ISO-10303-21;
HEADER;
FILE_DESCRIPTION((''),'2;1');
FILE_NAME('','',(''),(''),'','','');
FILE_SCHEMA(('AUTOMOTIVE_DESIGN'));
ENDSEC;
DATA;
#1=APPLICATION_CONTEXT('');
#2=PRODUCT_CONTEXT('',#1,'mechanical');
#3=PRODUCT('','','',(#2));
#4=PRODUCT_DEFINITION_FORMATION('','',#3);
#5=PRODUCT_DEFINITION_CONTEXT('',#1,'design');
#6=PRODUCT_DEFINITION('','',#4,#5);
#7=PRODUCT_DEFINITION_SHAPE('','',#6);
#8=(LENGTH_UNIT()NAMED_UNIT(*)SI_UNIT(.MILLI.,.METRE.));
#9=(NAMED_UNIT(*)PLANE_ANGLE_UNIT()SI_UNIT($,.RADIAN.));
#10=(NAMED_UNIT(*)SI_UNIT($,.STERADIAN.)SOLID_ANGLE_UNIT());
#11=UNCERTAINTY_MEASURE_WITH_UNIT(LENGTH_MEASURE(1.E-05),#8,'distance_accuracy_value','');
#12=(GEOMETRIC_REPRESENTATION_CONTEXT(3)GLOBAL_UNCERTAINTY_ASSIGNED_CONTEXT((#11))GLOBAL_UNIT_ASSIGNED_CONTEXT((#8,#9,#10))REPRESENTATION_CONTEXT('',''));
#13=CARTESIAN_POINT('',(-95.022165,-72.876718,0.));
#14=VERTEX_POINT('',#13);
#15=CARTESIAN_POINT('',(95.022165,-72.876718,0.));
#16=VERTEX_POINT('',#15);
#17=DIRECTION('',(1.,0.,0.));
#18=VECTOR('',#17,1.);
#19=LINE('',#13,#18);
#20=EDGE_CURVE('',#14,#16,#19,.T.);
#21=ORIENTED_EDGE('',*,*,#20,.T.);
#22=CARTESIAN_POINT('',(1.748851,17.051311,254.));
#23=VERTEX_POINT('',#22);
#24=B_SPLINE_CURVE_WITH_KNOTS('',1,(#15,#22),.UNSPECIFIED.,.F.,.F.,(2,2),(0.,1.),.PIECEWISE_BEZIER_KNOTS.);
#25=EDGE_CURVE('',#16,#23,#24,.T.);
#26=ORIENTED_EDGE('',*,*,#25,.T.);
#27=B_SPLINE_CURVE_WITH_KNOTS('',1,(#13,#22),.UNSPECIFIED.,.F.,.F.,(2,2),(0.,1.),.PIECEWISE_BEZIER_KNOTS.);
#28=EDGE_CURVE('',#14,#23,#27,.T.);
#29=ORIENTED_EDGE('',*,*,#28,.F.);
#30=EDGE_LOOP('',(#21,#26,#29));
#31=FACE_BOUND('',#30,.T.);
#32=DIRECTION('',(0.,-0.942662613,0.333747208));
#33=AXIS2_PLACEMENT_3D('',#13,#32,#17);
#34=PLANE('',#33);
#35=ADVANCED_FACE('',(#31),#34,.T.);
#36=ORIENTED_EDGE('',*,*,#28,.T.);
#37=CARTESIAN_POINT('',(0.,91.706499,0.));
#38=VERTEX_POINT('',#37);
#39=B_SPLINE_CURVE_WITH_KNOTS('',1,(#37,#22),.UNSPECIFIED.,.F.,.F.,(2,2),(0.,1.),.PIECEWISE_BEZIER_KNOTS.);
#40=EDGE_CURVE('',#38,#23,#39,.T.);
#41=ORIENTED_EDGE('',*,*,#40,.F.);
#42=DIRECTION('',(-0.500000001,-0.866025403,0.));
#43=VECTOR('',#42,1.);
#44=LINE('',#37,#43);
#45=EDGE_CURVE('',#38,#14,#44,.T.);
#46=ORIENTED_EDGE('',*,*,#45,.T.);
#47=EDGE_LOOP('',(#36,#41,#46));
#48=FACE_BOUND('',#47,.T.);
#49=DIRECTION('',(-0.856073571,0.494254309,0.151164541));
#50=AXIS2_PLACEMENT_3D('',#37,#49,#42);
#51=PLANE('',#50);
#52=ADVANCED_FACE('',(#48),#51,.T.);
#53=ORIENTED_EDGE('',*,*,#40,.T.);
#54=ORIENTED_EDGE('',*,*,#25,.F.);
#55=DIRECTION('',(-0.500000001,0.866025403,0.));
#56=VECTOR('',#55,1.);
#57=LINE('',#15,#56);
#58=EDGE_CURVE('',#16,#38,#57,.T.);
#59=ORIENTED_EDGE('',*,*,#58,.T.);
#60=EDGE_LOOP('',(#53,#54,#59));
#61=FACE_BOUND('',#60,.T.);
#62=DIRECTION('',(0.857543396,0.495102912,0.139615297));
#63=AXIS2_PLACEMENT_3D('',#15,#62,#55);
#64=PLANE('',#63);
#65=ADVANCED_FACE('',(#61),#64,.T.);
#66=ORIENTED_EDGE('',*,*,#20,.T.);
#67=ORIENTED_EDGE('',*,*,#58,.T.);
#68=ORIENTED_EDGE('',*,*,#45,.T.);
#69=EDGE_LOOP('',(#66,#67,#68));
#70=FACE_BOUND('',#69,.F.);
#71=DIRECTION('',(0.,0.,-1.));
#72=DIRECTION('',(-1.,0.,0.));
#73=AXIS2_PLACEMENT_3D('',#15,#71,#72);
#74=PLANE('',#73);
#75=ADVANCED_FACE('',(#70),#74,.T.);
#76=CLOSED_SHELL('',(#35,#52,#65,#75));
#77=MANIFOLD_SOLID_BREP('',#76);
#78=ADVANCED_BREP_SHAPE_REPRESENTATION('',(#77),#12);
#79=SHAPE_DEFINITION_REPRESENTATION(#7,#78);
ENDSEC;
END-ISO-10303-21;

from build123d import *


with BuildPart() as f3:
    # F0 (on Top) → F3 section 0
    with BuildSketch(Plane.XY, mode=Mode.PRIVATE) as f3_s0:
        Polygon((95.022165, -72.876718), (0, 91.706499), (-95.022165, -72.876718), align=None)
    loft([f3_s0.sketch, Vertex(1.748851, 17.051311, 254)])


solid = f3.part
